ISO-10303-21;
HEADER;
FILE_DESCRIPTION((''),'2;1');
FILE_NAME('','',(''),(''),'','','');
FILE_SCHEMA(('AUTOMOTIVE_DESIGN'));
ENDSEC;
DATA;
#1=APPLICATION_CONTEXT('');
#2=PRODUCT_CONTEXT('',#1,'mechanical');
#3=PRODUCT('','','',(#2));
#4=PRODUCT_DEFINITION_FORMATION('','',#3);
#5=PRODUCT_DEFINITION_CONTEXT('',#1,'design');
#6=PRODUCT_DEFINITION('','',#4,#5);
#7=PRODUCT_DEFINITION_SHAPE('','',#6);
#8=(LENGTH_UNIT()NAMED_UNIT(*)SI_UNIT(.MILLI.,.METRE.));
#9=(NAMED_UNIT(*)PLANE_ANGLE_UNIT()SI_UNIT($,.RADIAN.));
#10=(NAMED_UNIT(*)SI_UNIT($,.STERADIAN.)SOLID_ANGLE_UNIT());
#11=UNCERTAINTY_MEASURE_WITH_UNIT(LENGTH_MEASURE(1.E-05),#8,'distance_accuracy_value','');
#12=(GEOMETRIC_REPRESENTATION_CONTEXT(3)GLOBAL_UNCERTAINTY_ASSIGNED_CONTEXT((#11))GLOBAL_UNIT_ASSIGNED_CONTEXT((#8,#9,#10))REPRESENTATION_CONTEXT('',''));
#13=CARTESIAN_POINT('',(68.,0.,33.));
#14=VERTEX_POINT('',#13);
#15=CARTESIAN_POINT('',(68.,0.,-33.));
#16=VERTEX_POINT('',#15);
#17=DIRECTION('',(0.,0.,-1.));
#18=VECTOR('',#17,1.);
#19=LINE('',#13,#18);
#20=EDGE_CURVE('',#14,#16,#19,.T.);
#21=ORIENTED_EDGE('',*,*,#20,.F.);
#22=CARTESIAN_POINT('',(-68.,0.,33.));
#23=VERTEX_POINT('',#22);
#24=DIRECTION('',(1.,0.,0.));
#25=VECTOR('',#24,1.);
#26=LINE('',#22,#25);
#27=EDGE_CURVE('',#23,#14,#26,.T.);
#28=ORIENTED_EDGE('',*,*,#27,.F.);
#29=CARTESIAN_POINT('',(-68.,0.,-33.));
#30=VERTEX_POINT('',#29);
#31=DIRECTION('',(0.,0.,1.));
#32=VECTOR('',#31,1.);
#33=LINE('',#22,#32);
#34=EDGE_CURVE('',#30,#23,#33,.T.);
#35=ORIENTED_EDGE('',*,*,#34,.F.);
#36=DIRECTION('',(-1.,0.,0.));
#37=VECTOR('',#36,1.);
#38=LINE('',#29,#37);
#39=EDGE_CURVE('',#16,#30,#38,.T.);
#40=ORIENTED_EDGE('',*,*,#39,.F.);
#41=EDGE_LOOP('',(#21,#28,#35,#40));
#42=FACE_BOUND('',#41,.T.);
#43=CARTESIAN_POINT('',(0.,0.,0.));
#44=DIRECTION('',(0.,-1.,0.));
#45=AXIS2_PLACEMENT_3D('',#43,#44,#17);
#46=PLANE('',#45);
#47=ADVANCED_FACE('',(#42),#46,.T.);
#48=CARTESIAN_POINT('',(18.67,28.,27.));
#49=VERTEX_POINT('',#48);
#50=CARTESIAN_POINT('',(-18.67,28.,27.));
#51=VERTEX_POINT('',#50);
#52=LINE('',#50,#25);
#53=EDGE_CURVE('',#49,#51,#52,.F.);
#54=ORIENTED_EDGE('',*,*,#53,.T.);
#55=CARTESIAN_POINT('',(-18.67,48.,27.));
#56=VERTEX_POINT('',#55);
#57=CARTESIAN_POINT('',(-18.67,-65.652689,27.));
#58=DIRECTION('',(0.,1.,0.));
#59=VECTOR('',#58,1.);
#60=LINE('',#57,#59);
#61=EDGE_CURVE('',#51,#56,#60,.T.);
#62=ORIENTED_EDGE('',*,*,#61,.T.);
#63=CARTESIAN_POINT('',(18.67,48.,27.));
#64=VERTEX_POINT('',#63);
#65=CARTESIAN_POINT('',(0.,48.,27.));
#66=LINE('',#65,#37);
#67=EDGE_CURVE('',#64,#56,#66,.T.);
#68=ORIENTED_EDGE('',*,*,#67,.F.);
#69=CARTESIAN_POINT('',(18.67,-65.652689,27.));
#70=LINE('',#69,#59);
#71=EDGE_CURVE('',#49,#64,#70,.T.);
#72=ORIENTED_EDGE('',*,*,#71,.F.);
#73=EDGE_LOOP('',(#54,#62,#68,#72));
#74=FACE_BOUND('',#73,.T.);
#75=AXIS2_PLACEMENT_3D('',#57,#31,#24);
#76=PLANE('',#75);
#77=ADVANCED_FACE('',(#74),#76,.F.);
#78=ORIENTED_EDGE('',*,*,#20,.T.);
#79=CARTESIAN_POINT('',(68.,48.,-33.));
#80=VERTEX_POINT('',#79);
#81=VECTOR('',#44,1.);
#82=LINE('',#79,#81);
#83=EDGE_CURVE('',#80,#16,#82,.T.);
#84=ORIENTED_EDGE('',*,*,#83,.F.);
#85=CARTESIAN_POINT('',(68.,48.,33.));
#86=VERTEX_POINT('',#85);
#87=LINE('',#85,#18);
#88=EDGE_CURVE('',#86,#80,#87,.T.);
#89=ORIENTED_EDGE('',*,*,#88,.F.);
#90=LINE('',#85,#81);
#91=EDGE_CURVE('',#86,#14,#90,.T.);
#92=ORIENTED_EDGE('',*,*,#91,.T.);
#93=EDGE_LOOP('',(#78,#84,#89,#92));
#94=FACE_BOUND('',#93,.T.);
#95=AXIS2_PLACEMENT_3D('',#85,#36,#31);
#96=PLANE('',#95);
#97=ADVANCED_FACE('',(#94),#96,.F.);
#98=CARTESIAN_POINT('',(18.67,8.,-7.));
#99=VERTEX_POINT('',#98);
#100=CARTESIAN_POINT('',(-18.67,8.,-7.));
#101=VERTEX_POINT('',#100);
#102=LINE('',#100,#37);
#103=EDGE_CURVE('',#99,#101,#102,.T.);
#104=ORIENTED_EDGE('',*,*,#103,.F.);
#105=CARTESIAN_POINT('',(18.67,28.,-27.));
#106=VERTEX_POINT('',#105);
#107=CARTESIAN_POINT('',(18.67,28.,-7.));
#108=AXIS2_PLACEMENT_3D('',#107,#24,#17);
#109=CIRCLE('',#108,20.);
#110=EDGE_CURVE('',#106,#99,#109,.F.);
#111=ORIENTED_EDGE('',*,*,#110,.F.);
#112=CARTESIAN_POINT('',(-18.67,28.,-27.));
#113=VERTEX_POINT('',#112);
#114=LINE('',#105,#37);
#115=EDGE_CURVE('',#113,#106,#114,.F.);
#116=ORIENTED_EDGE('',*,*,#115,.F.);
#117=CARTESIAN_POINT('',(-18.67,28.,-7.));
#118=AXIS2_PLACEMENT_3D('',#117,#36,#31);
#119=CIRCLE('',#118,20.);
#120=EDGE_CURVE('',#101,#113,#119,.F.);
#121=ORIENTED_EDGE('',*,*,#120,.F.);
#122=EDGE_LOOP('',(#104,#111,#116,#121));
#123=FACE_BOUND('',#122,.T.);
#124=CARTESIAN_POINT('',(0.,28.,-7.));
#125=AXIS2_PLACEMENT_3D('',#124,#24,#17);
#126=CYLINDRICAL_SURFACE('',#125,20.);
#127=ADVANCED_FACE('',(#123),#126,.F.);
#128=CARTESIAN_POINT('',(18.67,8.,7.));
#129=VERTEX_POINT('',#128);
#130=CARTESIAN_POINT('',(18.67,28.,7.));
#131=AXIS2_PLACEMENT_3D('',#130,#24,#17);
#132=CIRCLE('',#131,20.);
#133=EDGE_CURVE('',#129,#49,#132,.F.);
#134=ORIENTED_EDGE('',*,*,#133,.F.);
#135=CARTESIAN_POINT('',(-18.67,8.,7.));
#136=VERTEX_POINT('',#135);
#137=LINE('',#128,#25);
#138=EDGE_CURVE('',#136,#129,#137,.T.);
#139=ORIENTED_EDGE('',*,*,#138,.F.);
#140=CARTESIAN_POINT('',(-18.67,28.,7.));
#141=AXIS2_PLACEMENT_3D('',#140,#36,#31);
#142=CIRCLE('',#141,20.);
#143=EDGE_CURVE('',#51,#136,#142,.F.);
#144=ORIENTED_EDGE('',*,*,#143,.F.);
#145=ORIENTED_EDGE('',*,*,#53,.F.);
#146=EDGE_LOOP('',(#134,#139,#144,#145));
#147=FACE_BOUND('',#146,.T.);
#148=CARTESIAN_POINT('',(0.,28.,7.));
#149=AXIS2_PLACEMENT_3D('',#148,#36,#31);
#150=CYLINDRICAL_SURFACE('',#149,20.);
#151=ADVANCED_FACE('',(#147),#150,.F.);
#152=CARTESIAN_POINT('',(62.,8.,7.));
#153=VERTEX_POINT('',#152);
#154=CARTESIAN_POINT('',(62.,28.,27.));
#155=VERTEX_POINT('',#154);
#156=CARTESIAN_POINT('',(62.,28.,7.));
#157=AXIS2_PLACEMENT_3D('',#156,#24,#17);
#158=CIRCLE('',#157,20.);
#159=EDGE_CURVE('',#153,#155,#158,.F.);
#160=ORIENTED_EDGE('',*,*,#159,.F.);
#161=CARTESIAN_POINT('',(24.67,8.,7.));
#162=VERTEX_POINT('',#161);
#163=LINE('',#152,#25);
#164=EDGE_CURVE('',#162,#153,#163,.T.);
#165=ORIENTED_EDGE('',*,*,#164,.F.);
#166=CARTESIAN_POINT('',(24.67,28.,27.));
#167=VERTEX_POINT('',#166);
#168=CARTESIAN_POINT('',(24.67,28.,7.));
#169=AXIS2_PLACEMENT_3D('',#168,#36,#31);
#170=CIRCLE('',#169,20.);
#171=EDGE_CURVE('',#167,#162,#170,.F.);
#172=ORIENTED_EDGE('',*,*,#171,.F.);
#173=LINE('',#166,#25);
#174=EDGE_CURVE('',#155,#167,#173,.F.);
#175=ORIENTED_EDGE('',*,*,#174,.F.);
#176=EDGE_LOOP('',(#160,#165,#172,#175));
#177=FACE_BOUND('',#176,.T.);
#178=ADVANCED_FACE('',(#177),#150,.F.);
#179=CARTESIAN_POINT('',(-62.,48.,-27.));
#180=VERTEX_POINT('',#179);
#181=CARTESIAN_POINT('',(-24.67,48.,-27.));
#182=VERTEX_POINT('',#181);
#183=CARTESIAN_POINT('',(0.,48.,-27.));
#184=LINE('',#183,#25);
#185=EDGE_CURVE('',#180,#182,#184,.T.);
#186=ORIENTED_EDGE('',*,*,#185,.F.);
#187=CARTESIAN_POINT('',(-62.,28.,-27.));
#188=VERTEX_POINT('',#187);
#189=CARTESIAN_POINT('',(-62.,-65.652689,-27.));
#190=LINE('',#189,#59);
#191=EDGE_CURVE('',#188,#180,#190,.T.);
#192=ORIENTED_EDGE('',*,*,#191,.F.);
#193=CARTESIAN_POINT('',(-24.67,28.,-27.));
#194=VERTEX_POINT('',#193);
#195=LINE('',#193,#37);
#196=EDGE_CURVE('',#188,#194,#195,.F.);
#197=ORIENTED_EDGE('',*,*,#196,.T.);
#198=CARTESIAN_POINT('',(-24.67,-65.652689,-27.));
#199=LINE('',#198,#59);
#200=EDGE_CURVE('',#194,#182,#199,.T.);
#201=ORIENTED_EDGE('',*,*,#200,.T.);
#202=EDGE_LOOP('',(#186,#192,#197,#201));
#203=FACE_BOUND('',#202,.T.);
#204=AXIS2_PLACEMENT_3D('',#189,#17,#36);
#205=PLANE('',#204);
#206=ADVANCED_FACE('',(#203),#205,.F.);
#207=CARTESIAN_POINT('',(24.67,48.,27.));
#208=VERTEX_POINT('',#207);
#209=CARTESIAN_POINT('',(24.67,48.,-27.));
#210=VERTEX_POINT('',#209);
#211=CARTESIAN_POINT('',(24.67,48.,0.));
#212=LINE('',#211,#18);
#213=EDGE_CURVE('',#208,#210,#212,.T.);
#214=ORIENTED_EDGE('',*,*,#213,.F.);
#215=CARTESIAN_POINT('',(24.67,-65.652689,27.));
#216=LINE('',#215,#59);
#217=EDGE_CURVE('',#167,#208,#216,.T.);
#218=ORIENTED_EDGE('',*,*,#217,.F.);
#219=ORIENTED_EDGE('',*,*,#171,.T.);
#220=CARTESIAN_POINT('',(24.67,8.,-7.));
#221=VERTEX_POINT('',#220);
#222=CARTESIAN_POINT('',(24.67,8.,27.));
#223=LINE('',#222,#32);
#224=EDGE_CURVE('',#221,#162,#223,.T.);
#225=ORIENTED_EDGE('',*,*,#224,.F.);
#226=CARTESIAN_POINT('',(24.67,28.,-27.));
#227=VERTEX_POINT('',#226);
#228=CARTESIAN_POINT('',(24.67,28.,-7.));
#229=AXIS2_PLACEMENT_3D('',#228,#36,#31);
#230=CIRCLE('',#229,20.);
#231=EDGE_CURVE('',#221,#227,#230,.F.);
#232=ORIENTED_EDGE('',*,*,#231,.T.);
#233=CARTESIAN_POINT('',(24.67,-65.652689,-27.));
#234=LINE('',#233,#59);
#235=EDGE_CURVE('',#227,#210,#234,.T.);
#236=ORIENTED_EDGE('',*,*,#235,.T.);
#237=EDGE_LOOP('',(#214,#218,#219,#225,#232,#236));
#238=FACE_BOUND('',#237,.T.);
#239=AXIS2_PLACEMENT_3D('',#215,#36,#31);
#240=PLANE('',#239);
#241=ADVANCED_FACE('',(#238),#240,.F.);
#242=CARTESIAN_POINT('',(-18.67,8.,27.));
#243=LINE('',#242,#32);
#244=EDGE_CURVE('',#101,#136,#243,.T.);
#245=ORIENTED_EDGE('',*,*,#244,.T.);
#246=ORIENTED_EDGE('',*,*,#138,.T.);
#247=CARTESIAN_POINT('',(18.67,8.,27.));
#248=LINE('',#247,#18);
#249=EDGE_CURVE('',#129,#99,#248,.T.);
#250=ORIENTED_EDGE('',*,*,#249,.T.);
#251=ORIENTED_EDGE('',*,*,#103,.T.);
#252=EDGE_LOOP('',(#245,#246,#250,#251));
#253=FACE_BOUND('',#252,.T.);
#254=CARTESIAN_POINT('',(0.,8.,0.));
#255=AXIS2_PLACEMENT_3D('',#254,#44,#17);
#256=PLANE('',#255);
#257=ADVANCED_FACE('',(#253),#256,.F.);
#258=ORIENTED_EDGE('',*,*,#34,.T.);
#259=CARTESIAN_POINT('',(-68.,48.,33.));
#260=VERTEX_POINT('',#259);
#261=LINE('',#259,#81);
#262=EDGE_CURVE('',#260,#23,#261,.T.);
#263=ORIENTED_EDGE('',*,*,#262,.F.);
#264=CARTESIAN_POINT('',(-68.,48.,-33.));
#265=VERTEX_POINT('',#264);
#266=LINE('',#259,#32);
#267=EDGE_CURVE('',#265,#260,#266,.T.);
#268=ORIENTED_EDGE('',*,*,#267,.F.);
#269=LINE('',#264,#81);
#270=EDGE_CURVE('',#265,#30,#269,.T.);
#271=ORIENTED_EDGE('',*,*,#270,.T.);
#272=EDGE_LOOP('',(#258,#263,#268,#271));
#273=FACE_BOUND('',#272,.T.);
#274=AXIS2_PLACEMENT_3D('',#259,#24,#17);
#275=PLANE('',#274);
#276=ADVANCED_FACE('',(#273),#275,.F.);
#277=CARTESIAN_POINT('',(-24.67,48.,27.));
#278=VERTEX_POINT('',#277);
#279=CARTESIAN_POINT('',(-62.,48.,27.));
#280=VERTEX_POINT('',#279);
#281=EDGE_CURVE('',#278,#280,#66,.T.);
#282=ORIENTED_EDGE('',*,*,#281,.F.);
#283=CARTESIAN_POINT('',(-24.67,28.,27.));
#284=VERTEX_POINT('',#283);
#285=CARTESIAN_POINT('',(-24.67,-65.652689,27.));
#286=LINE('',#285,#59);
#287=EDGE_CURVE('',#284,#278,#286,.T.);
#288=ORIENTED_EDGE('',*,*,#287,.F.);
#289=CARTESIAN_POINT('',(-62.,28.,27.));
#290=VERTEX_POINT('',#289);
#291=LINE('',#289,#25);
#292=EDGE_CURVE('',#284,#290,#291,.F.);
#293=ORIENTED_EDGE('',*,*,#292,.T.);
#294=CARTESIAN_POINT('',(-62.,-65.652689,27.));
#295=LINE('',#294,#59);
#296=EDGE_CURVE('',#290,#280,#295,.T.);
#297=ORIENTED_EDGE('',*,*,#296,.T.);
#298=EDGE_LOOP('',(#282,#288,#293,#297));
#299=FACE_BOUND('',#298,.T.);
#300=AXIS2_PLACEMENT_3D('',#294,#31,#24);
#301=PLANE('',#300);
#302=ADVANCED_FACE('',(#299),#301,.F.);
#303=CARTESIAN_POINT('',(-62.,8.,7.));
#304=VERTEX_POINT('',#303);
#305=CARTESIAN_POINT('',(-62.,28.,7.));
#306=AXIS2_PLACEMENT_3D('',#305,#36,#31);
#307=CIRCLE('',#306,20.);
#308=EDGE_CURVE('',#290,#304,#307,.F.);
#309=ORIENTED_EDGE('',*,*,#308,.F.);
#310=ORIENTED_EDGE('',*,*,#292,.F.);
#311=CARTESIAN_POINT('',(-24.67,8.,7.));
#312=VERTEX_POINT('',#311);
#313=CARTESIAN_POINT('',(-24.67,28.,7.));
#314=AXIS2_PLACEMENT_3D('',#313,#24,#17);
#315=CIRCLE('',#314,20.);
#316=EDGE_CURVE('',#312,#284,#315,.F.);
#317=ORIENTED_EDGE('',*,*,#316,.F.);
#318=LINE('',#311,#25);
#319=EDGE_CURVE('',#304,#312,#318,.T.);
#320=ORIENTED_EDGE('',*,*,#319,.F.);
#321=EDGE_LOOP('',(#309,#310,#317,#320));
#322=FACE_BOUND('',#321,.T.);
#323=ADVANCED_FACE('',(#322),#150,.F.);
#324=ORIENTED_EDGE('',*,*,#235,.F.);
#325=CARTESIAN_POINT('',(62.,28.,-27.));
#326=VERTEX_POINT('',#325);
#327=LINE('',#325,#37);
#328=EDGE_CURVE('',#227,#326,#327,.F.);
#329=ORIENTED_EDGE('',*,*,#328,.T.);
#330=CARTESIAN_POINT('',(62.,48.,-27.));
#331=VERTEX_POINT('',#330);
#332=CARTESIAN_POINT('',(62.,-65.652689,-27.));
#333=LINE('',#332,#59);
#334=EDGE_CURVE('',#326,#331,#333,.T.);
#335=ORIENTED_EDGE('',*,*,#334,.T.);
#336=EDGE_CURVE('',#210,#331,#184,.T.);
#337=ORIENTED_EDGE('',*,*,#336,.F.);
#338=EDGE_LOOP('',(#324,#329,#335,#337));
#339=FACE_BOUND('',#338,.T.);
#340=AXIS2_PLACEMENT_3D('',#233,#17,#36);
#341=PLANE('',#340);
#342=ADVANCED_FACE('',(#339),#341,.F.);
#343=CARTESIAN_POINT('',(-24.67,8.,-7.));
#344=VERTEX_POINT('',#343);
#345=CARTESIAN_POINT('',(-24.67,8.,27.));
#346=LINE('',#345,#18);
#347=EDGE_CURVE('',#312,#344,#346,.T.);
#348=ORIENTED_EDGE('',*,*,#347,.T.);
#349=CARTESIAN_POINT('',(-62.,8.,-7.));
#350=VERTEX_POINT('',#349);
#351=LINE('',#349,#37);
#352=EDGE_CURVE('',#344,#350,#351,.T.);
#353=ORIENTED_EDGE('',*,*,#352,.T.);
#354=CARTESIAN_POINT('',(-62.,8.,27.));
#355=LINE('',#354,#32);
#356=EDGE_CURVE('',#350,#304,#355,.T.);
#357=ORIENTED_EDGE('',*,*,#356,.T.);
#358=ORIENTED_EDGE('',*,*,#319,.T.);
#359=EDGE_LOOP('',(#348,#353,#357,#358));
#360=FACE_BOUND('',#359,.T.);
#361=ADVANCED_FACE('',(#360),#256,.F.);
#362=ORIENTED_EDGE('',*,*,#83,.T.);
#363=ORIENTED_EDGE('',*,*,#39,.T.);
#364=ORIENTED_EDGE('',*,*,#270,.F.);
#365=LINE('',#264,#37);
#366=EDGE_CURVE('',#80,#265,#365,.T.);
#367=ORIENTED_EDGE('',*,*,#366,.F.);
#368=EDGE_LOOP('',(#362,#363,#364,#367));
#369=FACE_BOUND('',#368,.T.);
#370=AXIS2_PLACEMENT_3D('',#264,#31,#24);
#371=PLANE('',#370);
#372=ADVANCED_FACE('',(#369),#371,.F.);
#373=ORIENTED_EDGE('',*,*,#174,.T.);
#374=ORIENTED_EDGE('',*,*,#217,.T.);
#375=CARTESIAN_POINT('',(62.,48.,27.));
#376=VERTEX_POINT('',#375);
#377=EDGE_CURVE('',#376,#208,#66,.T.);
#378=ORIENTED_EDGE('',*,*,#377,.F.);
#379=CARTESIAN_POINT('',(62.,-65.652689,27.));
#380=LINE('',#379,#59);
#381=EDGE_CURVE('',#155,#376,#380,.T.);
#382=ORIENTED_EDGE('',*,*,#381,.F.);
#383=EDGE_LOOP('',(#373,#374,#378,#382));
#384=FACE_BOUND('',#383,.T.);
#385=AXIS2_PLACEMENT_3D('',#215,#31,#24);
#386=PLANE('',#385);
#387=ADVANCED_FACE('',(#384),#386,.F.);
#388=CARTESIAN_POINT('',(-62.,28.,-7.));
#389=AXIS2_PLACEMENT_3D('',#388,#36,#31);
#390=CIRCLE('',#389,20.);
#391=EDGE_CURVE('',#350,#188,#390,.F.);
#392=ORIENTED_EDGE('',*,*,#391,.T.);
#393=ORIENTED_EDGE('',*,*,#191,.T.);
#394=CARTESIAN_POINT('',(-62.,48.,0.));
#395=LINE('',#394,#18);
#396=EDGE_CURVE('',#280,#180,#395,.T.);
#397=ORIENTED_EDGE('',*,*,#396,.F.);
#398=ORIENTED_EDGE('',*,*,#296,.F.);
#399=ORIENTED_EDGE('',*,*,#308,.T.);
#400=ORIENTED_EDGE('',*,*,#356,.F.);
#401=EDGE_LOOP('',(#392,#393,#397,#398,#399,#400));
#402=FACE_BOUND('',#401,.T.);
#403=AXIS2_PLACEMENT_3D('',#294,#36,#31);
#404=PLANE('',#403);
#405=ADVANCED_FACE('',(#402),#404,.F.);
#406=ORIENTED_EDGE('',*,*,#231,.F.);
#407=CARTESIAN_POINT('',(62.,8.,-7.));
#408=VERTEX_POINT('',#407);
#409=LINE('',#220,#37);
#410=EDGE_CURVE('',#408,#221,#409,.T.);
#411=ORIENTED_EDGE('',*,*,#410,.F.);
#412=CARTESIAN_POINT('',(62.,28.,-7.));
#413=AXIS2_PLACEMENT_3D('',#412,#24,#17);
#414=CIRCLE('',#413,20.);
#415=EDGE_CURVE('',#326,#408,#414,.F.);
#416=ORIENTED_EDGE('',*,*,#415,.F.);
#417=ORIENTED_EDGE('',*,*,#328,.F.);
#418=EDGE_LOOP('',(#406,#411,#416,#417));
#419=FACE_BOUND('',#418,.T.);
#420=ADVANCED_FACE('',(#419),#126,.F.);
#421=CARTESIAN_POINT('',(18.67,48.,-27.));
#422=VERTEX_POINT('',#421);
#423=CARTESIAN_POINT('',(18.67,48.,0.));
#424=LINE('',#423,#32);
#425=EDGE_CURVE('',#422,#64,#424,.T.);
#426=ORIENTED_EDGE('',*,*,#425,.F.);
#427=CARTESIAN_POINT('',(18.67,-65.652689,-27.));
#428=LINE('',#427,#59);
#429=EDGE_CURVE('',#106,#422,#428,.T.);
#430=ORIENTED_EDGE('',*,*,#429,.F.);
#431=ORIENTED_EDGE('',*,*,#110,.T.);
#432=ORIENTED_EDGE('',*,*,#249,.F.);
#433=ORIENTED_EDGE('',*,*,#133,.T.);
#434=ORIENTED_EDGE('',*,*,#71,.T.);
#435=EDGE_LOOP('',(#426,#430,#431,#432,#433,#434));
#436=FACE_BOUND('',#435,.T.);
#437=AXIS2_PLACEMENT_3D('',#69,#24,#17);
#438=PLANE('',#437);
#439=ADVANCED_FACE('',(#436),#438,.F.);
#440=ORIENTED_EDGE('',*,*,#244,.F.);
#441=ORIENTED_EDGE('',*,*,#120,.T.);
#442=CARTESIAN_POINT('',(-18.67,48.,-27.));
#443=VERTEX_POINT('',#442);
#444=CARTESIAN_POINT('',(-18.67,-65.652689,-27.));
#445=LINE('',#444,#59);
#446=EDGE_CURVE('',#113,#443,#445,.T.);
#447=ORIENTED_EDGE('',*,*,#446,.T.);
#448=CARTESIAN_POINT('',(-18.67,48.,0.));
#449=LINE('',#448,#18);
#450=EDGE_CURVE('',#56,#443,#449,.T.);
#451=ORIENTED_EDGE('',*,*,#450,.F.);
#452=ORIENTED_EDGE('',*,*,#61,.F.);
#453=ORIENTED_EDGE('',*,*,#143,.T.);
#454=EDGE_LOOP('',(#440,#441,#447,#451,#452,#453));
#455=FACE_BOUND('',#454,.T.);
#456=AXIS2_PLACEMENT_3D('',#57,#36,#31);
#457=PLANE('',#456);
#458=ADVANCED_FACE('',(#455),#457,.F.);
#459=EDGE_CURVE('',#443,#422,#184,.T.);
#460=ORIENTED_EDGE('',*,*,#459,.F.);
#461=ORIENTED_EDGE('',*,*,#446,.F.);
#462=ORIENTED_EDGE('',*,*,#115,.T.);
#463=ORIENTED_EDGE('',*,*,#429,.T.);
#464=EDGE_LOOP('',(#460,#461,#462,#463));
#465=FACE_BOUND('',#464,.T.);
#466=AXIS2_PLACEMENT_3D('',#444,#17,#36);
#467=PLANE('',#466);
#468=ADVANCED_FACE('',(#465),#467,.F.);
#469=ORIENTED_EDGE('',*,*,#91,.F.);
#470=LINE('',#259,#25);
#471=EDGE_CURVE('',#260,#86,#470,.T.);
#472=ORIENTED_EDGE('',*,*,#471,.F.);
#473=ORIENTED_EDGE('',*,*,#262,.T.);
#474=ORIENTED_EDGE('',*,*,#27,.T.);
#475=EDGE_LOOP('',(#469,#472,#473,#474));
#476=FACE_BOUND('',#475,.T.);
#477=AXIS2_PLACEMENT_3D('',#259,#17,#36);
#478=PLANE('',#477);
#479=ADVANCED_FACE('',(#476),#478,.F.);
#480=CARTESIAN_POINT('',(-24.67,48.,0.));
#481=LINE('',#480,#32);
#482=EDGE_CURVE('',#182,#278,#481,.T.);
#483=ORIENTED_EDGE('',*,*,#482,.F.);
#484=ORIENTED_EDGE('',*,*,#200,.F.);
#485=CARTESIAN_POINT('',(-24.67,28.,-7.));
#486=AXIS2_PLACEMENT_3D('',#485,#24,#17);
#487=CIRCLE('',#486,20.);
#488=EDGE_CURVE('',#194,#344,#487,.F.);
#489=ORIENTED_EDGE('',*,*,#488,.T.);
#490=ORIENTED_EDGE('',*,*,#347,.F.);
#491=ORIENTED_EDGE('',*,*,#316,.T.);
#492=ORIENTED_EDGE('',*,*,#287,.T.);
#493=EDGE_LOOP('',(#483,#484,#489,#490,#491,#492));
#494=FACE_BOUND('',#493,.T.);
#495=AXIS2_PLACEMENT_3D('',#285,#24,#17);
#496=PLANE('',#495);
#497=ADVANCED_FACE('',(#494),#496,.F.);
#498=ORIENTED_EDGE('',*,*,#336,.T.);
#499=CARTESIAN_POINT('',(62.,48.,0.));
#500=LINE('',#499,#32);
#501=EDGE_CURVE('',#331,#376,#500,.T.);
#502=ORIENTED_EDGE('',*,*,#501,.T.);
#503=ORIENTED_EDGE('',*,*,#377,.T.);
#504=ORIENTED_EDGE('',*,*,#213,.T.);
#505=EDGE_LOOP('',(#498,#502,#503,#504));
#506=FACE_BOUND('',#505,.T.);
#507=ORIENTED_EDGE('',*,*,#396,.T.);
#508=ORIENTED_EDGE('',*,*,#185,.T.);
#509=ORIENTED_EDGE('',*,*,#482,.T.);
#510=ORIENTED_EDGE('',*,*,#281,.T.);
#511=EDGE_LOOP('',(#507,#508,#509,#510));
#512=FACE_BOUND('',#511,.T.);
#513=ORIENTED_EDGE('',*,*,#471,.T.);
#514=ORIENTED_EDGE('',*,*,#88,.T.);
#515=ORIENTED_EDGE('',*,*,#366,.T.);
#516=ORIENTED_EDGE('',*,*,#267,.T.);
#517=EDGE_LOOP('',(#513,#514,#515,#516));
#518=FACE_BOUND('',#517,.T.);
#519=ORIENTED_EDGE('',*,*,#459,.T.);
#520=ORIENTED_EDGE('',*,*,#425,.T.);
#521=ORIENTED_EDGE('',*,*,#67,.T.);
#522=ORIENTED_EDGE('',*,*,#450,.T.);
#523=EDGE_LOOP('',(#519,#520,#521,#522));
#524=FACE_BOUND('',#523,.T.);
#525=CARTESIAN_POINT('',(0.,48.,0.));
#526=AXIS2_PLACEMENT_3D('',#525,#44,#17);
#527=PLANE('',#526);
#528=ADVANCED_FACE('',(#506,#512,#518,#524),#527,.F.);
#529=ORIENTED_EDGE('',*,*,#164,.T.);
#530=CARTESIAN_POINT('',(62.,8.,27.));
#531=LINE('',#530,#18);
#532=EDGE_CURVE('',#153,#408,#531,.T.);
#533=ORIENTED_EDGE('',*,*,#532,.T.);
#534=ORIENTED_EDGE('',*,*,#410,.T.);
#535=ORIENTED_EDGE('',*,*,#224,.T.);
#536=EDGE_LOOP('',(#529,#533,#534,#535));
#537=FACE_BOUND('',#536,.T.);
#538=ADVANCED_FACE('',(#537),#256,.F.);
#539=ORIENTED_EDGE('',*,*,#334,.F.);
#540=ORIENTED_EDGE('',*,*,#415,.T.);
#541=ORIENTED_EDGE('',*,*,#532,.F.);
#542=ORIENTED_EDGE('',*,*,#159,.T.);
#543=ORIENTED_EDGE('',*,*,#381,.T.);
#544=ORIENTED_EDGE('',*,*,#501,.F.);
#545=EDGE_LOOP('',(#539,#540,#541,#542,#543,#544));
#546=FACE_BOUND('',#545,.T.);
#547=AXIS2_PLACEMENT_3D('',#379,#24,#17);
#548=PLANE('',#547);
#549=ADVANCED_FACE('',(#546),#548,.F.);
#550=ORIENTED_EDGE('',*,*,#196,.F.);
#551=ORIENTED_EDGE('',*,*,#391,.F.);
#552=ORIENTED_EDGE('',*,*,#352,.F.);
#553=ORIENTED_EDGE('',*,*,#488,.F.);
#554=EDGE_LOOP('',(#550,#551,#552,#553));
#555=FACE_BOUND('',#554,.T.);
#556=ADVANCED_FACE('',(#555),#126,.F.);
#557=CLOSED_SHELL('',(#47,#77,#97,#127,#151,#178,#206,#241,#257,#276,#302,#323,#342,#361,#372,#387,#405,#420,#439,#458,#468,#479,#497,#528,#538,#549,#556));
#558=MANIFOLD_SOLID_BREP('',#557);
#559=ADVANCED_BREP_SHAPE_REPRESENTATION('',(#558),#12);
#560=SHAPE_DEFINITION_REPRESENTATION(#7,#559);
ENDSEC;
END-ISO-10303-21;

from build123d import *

# Parameters (mm, degrees)
SKETCH1_W           = 136
SKETCH1_H           = 66
BOSS_EXTRUDE1_DEPTH = 48
CUT_EXTRUDE1_START  = 8
SKETCH2_W           = 37.33
SKETCH2_H           = 54
SKETCH2_W_2         = 37.34
CUT_EXTRUDE1_DEPTH  = 48
FILLET1_R           = 20


with BuildPart() as part:
    # Sketch1 → Boss-Extrude1 (new body)
    with BuildSketch(Plane(origin=(0, 0, 0), x_dir=(1, 0, 0), z_dir=(0, 1, 0))):
        Rectangle(SKETCH1_W, SKETCH1_H)
    extrude(amount=BOSS_EXTRUDE1_DEPTH)

    # Sketch2 → Cut-Extrude1 (cut)
    with BuildSketch(Plane(origin=(0, 48, 0), x_dir=(1, 0, 0), z_dir=(0, 1, 0)).offset(CUT_EXTRUDE1_START)):
        with Locations((-43.335, 0)):
            Rectangle(SKETCH2_W, SKETCH2_H)
        Rectangle(SKETCH2_W_2, SKETCH2_H)
        with Locations((43.335, 0)):
            Rectangle(SKETCH2_W, SKETCH2_H)
    extrude(amount=-CUT_EXTRUDE1_DEPTH, mode=Mode.SUBTRACT)

    # Fillet1
    fillet1_edges = [part.edges().sort_by_distance(p)[0] for p in [
        (-43.335, 8, -27),
        (-43.335, 8, 27),
        (0, 8, -27),
        (0, 8, 27),
        (43.335, 8, -27),
        (43.335, 8, 27),
    ]]
    fillet(fillet1_edges, radius=FILLET1_R)


solid = part.part
